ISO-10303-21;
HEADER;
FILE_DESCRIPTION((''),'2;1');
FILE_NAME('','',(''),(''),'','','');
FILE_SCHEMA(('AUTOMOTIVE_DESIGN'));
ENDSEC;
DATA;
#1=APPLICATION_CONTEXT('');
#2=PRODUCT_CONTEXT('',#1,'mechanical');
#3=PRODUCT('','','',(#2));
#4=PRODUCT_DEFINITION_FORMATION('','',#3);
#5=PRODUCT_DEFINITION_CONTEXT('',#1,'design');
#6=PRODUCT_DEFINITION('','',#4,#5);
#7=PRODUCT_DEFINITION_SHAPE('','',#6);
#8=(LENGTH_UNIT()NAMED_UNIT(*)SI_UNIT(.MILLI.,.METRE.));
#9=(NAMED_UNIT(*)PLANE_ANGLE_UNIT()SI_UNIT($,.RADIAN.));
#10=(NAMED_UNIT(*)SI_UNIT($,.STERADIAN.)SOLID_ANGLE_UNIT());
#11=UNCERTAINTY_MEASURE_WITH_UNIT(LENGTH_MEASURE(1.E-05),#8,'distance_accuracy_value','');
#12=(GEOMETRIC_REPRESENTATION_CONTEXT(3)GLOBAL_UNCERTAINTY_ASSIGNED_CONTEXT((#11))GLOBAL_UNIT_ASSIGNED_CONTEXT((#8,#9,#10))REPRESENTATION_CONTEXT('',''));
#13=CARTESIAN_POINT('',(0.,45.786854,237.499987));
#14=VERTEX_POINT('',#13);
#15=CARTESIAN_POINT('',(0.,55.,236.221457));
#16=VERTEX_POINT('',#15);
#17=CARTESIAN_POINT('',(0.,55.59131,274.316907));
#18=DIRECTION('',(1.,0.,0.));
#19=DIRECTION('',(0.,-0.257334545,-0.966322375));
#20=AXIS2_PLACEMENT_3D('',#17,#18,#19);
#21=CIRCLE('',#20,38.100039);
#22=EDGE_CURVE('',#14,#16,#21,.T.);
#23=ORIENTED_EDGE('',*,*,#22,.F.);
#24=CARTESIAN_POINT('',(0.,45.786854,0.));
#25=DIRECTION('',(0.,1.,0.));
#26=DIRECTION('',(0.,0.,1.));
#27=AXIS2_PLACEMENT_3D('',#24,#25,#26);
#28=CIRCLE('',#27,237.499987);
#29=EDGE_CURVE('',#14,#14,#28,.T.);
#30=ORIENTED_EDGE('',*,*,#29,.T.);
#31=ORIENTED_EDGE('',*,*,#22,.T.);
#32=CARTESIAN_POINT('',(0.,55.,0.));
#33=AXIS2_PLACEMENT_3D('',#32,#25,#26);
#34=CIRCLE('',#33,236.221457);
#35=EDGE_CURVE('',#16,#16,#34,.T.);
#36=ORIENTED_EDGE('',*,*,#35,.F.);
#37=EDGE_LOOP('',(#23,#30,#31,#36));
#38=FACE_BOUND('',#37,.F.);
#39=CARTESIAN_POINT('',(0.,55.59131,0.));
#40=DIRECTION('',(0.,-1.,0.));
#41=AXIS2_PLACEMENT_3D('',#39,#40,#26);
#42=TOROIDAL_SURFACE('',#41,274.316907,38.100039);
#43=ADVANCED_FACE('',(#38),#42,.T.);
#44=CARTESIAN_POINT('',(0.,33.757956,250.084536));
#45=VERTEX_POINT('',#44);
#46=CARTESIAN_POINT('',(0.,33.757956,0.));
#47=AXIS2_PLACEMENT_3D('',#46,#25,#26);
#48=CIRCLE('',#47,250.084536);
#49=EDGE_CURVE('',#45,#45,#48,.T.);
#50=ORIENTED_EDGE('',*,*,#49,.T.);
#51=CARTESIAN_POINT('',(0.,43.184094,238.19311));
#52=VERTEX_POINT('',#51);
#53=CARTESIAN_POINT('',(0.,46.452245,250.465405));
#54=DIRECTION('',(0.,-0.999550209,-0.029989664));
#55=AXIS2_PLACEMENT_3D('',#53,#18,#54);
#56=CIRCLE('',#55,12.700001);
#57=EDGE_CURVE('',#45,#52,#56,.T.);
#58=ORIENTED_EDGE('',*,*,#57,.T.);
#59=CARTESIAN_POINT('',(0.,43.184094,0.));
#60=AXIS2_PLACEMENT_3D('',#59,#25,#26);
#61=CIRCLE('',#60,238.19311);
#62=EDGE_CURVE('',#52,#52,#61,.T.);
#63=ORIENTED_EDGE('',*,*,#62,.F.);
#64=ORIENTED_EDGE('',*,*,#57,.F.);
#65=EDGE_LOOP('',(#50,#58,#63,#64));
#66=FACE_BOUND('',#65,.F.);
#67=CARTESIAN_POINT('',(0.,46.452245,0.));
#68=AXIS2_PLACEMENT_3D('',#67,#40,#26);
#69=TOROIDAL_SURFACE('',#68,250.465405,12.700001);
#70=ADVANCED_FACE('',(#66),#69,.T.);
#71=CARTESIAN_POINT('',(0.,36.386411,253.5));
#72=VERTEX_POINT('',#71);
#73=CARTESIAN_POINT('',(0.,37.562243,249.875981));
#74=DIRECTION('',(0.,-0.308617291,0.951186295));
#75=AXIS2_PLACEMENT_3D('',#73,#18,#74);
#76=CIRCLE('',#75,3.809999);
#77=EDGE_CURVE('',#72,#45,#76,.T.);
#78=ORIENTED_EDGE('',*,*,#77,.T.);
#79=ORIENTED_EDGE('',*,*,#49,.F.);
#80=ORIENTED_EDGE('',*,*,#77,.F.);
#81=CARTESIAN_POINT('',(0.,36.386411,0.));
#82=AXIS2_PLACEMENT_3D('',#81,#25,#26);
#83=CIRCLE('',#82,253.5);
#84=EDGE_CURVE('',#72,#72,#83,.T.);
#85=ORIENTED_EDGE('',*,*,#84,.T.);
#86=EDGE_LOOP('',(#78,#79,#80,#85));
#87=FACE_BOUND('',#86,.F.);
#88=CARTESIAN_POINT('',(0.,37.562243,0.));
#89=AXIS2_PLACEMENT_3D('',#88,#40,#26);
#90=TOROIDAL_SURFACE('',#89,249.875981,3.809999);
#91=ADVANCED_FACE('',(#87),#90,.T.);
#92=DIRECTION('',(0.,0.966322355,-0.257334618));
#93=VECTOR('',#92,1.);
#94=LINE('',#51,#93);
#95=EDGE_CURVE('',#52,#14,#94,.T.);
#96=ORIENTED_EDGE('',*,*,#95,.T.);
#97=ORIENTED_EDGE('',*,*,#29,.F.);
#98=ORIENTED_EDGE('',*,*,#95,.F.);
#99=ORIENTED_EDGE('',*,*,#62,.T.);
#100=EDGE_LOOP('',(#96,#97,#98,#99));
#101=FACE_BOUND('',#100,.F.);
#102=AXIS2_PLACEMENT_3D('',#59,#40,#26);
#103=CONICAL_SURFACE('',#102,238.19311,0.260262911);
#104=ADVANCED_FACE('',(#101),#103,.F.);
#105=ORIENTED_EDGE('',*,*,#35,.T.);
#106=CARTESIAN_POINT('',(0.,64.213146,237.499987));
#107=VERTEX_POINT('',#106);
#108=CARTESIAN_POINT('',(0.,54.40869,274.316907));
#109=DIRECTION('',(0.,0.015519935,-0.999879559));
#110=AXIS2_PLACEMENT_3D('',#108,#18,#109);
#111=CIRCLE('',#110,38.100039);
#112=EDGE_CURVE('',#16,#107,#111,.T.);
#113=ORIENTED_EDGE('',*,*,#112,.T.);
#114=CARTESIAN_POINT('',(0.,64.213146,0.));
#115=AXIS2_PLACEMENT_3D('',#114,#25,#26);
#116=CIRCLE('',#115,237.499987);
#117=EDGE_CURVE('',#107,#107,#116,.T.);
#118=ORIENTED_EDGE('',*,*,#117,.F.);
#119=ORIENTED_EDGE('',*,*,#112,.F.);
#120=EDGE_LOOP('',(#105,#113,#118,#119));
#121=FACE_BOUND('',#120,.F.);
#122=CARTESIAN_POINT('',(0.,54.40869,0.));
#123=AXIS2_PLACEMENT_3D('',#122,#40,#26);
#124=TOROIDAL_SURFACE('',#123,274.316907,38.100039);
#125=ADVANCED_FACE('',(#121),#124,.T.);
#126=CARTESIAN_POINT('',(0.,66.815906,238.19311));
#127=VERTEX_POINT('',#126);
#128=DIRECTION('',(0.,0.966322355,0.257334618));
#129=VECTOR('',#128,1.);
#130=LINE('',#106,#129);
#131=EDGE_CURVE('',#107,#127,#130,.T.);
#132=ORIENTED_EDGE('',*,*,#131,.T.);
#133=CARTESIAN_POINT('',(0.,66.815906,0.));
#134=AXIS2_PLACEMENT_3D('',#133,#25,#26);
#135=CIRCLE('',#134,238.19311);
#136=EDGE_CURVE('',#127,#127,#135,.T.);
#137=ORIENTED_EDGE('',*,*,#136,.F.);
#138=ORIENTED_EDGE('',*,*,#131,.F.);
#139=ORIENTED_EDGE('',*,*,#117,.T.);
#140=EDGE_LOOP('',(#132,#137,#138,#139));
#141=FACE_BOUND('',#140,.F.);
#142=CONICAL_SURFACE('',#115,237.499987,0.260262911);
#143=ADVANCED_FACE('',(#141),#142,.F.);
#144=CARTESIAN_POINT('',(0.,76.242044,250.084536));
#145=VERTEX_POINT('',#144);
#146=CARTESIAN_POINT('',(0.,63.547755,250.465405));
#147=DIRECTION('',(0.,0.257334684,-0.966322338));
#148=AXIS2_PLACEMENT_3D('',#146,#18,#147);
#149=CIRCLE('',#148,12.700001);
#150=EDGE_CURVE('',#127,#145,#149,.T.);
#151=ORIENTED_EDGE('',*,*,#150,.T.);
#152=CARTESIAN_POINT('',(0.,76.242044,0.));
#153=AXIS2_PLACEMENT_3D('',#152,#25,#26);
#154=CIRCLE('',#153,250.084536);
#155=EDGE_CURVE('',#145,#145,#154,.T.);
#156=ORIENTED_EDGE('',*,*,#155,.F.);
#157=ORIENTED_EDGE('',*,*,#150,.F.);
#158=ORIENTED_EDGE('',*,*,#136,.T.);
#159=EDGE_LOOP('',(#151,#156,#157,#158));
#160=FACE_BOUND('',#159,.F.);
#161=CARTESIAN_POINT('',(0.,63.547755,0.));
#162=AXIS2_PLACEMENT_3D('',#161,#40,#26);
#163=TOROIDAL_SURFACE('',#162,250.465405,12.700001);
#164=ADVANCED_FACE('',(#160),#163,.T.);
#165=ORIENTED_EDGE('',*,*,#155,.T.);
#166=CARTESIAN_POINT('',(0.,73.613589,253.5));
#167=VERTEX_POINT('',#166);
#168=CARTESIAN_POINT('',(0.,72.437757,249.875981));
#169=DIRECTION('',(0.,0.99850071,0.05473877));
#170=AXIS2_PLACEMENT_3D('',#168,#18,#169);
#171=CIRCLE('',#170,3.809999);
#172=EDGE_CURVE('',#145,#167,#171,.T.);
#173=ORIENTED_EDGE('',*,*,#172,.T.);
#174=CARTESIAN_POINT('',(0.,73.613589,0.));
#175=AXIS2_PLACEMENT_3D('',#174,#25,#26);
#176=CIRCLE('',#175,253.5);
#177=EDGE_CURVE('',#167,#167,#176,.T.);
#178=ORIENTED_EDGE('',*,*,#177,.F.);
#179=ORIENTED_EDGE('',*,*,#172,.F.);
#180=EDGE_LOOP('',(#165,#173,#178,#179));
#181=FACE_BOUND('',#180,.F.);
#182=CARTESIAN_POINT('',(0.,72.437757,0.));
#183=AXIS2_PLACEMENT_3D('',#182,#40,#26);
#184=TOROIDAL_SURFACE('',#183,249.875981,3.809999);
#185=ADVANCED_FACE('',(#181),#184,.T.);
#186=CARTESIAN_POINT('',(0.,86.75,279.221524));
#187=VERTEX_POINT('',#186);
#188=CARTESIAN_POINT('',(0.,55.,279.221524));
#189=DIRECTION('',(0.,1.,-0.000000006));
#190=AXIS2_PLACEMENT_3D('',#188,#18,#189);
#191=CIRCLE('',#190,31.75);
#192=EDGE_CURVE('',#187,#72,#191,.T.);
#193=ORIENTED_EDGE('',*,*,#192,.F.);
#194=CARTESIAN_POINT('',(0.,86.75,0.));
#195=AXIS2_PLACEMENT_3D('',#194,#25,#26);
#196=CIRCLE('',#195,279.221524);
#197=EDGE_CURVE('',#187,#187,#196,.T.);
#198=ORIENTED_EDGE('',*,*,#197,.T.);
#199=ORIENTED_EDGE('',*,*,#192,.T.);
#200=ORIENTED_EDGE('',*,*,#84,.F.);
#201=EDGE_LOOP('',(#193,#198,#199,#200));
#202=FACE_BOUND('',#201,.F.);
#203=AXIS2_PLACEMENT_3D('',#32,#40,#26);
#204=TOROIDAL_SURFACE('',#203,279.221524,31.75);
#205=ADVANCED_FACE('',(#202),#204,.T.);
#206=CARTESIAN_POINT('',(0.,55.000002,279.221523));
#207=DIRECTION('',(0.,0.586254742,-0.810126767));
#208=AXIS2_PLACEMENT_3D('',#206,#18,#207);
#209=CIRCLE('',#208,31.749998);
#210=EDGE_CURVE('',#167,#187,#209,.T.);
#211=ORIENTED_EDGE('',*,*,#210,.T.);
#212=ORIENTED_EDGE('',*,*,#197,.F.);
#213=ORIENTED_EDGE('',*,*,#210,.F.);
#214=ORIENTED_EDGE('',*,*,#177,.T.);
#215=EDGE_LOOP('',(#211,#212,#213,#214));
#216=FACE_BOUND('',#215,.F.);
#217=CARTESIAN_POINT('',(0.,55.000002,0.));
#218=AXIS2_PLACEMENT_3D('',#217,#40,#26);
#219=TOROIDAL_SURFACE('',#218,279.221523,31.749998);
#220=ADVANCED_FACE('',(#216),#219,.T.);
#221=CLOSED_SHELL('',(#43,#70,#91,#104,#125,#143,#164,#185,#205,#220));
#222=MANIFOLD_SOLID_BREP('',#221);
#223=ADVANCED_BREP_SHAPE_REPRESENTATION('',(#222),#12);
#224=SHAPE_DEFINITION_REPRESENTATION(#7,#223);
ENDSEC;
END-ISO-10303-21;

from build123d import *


with BuildPart() as f1:
    # F0 (on Right) → F1 (revolve)
    with BuildSketch(Plane.YZ):
        with BuildLine():
            Line((43.184094, 238.19311), (45.786854, 237.499987))
            ThreePointArc((45.786854, 237.499987), (50.354264, 236.578514), (55, 236.221457))
            ThreePointArc((55, 236.221457), (59.645736, 236.578514), (64.213146, 237.499987))
            Line((64.213146, 237.499987), (66.815906, 238.19311))
            ThreePointArc((66.815906, 238.19311), (73.500211, 242.576257), (76.242044, 250.084536))
            ThreePointArc((76.242044, 250.084536), (75.457152, 252.199631), (73.613589, 253.5))
            ThreePointArc((73.613589, 253.5), (55, 247.471524), (36.386411, 253.5))
            ThreePointArc((36.386411, 253.5), (34.542848, 252.199631), (33.757956, 250.084536))
            ThreePointArc((33.757956, 250.084536), (36.499789, 242.576257), (43.184094, 238.19311))
        make_face()
        with BuildLine():
            ThreePointArc((86.75, 279.221524), (40.559068, 307.497344), (36.386411, 253.5))
            ThreePointArc((36.386411, 253.5), (55, 247.471524), (73.613589, 253.5))
            ThreePointArc((73.613589, 253.5), (83.27582, 264.780592), (86.75, 279.221524))
        make_face()
    revolve(axis=Axis((0, 0.994938, 0), (0, 1, 0)))


solid = f1.part
